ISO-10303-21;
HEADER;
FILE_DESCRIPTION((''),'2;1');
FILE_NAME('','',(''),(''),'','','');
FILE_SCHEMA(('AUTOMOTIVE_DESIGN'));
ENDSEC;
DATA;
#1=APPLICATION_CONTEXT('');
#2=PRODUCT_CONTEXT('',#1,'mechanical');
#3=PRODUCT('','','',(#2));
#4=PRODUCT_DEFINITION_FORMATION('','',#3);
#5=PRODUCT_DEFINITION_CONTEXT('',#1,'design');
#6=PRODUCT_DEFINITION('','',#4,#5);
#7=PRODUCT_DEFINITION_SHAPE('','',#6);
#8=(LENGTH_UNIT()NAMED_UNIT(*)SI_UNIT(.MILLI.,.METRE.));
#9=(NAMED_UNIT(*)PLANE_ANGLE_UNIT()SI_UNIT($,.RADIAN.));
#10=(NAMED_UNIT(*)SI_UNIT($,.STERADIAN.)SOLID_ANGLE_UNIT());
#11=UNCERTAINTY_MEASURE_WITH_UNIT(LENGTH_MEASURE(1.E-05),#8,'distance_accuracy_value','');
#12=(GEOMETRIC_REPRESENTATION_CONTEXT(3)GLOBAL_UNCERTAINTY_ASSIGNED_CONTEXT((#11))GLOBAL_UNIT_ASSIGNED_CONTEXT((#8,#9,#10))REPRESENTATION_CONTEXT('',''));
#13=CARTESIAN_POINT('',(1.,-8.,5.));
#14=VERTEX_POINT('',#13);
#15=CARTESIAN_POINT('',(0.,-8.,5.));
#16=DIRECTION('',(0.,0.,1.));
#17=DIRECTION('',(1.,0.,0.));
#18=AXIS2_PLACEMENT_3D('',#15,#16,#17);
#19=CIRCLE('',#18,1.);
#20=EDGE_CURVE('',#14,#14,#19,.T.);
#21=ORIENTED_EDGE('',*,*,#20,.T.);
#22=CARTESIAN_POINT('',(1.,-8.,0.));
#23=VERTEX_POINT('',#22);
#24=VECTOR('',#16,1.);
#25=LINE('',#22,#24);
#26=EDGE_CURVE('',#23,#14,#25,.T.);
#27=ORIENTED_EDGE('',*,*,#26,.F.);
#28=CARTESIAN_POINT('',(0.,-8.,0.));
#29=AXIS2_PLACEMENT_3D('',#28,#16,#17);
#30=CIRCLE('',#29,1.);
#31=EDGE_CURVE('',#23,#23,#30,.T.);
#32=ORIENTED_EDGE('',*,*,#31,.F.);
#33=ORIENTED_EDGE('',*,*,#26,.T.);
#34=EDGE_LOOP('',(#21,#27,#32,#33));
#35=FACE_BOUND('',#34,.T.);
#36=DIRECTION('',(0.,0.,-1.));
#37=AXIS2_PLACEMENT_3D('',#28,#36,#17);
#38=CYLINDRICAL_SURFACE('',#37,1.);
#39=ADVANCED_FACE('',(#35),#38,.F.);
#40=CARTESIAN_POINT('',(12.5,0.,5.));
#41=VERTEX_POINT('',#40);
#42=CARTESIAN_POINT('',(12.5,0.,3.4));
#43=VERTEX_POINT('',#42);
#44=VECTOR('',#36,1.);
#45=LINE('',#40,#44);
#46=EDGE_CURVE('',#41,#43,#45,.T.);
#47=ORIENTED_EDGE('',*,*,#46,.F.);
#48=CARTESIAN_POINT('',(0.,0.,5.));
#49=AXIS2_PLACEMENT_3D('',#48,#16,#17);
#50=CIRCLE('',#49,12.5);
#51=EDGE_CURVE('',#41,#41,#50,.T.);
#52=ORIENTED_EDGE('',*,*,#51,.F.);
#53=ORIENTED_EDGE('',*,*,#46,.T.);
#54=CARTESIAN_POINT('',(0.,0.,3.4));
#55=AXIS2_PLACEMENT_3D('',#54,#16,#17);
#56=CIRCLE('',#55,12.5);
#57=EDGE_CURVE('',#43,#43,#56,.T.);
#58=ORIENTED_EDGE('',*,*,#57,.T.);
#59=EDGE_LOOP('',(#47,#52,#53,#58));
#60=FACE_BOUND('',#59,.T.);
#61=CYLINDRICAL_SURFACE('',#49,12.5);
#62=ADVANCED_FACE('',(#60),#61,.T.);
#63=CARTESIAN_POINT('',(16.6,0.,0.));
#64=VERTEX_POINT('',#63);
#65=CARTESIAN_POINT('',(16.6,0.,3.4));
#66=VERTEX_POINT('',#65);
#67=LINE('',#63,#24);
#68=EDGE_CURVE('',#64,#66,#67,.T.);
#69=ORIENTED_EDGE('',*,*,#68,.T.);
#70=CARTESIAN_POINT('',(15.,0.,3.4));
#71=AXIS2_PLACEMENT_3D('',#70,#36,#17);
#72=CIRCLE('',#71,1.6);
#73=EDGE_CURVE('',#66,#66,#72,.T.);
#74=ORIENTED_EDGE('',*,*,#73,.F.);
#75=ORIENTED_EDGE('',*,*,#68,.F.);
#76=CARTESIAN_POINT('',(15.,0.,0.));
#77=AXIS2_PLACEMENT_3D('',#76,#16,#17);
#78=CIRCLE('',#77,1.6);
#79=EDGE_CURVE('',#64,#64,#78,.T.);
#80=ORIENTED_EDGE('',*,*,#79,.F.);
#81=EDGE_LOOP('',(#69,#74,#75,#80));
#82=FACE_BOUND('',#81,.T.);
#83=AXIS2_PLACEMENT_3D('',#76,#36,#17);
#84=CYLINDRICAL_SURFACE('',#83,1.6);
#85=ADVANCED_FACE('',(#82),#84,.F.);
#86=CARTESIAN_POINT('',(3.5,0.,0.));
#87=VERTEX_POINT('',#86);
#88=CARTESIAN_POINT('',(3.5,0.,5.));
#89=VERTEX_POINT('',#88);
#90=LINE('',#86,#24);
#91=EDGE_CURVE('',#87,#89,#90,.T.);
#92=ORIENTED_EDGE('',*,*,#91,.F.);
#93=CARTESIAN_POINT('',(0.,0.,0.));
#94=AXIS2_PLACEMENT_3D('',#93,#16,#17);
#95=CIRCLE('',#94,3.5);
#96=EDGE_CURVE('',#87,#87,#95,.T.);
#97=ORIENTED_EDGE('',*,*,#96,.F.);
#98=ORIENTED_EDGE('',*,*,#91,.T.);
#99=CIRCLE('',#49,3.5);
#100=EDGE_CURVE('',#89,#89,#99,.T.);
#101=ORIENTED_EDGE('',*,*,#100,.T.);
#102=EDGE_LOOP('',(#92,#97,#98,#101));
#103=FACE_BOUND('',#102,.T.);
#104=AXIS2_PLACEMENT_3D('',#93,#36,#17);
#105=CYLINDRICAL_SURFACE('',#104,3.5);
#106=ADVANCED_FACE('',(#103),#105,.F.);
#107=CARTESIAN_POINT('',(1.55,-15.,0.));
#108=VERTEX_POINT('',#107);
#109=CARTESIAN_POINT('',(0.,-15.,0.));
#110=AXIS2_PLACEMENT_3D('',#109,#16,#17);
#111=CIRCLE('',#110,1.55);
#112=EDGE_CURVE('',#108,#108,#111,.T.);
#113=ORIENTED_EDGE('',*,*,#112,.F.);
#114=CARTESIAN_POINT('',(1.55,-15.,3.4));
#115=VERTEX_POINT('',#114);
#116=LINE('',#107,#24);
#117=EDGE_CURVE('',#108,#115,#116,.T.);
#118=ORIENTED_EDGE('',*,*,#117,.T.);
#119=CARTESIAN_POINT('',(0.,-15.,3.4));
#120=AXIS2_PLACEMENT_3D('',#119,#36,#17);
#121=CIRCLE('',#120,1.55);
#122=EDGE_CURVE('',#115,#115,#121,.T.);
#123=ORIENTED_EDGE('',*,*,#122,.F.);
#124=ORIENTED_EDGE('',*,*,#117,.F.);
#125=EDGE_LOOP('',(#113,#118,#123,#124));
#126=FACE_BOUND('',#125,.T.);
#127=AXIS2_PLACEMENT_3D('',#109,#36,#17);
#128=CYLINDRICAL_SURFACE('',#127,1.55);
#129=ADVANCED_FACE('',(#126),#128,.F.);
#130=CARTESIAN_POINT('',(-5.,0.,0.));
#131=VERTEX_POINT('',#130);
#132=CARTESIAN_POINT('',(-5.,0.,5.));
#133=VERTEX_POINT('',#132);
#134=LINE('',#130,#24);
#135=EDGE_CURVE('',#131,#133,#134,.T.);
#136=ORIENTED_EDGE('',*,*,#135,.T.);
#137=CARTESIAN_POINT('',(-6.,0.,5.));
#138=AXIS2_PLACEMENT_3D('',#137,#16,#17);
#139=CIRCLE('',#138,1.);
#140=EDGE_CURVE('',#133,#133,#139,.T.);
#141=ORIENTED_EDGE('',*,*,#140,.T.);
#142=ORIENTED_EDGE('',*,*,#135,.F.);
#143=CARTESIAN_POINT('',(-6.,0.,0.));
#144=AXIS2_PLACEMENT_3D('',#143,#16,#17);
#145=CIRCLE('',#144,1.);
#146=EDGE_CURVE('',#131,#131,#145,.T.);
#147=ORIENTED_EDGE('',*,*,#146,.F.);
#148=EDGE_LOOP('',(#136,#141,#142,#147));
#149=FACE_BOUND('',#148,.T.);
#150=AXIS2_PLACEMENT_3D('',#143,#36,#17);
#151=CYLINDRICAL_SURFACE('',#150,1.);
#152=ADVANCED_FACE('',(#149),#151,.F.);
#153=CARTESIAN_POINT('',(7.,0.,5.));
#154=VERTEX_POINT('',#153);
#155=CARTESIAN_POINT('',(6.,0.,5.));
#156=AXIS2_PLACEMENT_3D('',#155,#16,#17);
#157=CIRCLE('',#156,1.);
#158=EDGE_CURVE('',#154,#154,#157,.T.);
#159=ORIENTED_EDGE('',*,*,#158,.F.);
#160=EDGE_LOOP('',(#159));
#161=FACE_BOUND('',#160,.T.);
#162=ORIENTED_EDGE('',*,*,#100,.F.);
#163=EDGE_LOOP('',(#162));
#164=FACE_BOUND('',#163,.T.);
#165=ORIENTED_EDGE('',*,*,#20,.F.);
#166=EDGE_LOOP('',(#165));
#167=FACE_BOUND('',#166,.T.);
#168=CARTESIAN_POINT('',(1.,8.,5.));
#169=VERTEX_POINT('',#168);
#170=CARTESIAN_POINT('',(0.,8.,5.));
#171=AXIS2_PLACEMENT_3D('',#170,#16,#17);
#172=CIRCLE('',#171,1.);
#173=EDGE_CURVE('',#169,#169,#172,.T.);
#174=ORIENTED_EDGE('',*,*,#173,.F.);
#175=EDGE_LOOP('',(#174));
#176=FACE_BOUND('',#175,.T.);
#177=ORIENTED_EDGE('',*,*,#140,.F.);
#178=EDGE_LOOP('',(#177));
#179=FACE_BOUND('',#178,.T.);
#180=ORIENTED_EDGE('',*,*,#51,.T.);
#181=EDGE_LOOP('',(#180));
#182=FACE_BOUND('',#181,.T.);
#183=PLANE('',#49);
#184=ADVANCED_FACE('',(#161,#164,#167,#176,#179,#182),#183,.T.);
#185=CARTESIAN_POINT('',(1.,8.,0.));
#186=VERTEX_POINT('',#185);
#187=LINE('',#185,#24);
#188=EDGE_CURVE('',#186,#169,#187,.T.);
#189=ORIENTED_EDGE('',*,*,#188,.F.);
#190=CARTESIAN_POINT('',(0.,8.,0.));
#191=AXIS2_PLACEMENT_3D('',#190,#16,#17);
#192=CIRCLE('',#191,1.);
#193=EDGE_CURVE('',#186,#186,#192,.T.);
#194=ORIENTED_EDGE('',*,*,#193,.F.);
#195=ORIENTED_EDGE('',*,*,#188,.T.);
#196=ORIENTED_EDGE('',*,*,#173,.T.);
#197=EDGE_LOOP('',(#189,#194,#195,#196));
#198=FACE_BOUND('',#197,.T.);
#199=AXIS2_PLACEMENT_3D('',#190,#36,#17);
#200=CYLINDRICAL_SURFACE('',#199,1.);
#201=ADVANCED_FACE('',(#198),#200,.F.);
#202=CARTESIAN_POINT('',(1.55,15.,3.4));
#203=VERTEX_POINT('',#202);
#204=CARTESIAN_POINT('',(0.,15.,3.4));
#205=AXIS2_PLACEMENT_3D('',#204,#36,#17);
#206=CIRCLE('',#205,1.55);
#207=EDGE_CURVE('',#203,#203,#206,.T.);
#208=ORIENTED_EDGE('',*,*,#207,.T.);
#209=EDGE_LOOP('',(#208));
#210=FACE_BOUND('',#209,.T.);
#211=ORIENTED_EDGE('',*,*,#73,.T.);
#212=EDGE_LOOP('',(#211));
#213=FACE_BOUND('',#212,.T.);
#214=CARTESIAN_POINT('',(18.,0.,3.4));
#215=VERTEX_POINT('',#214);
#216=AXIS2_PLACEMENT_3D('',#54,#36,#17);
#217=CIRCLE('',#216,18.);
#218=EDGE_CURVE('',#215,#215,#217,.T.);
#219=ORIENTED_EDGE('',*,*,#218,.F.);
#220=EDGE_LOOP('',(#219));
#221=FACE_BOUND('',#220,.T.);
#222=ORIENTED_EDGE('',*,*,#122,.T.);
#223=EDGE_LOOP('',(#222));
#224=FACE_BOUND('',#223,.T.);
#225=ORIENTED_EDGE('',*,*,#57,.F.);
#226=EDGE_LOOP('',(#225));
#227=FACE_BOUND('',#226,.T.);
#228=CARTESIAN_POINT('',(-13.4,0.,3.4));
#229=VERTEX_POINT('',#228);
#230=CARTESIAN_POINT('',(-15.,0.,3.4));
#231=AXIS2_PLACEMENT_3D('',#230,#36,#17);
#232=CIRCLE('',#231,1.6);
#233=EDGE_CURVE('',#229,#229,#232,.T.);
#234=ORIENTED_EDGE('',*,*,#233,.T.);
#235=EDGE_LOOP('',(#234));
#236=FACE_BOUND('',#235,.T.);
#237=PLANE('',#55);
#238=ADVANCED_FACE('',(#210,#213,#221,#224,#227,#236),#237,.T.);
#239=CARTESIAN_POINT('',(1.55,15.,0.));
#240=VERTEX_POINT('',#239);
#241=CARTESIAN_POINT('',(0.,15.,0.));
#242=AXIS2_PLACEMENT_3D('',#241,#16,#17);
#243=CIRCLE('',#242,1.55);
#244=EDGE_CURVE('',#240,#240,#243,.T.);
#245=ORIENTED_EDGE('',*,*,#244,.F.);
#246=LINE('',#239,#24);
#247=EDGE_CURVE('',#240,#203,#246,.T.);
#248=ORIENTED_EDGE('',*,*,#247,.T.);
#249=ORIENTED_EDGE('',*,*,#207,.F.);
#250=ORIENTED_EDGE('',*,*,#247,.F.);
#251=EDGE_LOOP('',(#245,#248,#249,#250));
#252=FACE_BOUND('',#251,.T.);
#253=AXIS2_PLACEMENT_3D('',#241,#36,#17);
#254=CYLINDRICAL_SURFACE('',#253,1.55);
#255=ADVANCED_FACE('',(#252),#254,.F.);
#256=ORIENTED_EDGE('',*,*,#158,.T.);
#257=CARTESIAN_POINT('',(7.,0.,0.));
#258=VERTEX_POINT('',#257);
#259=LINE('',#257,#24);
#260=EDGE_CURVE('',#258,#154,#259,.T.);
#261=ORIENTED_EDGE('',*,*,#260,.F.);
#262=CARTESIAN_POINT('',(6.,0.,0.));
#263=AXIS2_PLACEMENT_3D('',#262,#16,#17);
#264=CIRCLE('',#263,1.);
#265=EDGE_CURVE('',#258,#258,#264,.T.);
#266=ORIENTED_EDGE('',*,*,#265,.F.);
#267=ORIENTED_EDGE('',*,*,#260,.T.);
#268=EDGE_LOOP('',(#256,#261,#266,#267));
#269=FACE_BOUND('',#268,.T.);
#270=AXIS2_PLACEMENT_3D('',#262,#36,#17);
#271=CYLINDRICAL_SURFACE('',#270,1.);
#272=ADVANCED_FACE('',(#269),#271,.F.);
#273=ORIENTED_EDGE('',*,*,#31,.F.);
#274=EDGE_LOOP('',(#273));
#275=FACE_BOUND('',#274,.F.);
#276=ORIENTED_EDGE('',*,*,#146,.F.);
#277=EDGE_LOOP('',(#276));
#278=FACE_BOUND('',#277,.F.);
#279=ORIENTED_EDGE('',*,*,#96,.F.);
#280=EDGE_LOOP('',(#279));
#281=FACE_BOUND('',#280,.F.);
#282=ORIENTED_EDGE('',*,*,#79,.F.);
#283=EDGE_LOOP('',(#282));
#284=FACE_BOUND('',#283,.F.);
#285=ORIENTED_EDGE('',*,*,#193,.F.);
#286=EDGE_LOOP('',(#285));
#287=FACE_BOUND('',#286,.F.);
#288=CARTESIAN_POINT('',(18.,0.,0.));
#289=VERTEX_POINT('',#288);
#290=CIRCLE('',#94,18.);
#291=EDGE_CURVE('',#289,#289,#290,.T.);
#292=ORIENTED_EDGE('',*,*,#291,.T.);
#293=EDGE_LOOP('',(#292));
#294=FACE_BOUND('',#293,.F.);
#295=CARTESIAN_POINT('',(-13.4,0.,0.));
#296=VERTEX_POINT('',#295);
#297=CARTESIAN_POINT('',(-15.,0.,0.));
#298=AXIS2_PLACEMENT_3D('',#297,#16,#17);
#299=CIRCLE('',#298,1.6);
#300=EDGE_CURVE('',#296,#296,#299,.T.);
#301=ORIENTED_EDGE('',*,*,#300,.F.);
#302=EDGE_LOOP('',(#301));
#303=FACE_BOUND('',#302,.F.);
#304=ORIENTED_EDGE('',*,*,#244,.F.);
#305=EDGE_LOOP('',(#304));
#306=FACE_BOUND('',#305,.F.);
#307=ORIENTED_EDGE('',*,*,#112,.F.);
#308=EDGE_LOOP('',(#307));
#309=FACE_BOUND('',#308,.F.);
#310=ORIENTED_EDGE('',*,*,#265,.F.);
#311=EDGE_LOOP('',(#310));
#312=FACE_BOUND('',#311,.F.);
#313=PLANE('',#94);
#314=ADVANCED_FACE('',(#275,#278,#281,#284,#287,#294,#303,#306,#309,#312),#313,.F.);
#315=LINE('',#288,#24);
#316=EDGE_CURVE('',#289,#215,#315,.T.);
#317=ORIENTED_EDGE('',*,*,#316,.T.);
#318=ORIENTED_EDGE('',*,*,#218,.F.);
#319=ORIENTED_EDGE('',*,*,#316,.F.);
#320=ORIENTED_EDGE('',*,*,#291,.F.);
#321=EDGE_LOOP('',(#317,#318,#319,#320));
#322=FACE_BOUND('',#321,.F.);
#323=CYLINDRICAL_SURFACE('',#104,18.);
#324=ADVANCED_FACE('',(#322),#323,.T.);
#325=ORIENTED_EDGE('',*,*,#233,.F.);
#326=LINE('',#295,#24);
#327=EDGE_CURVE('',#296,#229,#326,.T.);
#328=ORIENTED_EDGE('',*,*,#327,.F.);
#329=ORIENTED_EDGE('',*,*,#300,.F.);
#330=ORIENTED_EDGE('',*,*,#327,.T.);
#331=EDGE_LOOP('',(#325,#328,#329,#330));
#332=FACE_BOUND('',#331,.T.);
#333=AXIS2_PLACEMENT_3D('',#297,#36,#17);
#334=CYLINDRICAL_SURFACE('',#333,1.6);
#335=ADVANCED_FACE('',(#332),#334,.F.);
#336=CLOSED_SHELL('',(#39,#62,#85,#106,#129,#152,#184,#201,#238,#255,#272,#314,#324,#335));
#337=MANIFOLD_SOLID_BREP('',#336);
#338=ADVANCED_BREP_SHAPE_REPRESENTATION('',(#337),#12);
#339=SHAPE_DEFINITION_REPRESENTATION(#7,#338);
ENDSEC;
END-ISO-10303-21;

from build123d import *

# Parameters (mm, degrees)
SKETCH001_R      = 40
SKETCH001_R_2    = 12.5
EXTRUDE001_DEPTH = 1.6
SKETCH_R         = 18
SKETCH_R_2       = 1.55
SKETCH_R_3       = 1.6
SKETCH_R_4       = 3.5
SKETCH_R_5       = 1
EXTRUDE_DEPTH    = 5


with BuildPart() as extrude001:
    # Sketch001 (on Face7 of Extrude) → Extrude001 (new body)
    with BuildSketch(Plane.XY.offset(5)):
        Circle(SKETCH001_R)
        Circle(SKETCH001_R_2, mode=Mode.SUBTRACT)
    extrude(amount=-EXTRUDE001_DEPTH)


with BuildPart() as cut:
    # Sketch → Extrude (new body)
    with BuildSketch(Plane.XY):
        Circle(SKETCH_R)
        with Locations((0, 15)):
            Circle(SKETCH_R_2, mode=Mode.SUBTRACT)
        with Locations((-15, 0)):
            Circle(SKETCH_R_3, mode=Mode.SUBTRACT)
        with Locations((15, 0)):
            Circle(SKETCH_R_3, mode=Mode.SUBTRACT)
        with Locations((0, -15)):
            Circle(SKETCH_R_2, mode=Mode.SUBTRACT)
        Circle(SKETCH_R_4, mode=Mode.SUBTRACT)
        with Locations((0, 8)):
            Circle(SKETCH_R_5, mode=Mode.SUBTRACT)
        with Locations((6, 0)):
            Circle(SKETCH_R_5, mode=Mode.SUBTRACT)
        with Locations((0, -8)):
            Circle(SKETCH_R_5, mode=Mode.SUBTRACT)
        with Locations((-6, 0)):
            Circle(SKETCH_R_5, mode=Mode.SUBTRACT)
    extrude(amount=EXTRUDE_DEPTH)

    # Cut: cut Extrude001
    add(extrude001.part, mode=Mode.SUBTRACT)


solid = cut.part
